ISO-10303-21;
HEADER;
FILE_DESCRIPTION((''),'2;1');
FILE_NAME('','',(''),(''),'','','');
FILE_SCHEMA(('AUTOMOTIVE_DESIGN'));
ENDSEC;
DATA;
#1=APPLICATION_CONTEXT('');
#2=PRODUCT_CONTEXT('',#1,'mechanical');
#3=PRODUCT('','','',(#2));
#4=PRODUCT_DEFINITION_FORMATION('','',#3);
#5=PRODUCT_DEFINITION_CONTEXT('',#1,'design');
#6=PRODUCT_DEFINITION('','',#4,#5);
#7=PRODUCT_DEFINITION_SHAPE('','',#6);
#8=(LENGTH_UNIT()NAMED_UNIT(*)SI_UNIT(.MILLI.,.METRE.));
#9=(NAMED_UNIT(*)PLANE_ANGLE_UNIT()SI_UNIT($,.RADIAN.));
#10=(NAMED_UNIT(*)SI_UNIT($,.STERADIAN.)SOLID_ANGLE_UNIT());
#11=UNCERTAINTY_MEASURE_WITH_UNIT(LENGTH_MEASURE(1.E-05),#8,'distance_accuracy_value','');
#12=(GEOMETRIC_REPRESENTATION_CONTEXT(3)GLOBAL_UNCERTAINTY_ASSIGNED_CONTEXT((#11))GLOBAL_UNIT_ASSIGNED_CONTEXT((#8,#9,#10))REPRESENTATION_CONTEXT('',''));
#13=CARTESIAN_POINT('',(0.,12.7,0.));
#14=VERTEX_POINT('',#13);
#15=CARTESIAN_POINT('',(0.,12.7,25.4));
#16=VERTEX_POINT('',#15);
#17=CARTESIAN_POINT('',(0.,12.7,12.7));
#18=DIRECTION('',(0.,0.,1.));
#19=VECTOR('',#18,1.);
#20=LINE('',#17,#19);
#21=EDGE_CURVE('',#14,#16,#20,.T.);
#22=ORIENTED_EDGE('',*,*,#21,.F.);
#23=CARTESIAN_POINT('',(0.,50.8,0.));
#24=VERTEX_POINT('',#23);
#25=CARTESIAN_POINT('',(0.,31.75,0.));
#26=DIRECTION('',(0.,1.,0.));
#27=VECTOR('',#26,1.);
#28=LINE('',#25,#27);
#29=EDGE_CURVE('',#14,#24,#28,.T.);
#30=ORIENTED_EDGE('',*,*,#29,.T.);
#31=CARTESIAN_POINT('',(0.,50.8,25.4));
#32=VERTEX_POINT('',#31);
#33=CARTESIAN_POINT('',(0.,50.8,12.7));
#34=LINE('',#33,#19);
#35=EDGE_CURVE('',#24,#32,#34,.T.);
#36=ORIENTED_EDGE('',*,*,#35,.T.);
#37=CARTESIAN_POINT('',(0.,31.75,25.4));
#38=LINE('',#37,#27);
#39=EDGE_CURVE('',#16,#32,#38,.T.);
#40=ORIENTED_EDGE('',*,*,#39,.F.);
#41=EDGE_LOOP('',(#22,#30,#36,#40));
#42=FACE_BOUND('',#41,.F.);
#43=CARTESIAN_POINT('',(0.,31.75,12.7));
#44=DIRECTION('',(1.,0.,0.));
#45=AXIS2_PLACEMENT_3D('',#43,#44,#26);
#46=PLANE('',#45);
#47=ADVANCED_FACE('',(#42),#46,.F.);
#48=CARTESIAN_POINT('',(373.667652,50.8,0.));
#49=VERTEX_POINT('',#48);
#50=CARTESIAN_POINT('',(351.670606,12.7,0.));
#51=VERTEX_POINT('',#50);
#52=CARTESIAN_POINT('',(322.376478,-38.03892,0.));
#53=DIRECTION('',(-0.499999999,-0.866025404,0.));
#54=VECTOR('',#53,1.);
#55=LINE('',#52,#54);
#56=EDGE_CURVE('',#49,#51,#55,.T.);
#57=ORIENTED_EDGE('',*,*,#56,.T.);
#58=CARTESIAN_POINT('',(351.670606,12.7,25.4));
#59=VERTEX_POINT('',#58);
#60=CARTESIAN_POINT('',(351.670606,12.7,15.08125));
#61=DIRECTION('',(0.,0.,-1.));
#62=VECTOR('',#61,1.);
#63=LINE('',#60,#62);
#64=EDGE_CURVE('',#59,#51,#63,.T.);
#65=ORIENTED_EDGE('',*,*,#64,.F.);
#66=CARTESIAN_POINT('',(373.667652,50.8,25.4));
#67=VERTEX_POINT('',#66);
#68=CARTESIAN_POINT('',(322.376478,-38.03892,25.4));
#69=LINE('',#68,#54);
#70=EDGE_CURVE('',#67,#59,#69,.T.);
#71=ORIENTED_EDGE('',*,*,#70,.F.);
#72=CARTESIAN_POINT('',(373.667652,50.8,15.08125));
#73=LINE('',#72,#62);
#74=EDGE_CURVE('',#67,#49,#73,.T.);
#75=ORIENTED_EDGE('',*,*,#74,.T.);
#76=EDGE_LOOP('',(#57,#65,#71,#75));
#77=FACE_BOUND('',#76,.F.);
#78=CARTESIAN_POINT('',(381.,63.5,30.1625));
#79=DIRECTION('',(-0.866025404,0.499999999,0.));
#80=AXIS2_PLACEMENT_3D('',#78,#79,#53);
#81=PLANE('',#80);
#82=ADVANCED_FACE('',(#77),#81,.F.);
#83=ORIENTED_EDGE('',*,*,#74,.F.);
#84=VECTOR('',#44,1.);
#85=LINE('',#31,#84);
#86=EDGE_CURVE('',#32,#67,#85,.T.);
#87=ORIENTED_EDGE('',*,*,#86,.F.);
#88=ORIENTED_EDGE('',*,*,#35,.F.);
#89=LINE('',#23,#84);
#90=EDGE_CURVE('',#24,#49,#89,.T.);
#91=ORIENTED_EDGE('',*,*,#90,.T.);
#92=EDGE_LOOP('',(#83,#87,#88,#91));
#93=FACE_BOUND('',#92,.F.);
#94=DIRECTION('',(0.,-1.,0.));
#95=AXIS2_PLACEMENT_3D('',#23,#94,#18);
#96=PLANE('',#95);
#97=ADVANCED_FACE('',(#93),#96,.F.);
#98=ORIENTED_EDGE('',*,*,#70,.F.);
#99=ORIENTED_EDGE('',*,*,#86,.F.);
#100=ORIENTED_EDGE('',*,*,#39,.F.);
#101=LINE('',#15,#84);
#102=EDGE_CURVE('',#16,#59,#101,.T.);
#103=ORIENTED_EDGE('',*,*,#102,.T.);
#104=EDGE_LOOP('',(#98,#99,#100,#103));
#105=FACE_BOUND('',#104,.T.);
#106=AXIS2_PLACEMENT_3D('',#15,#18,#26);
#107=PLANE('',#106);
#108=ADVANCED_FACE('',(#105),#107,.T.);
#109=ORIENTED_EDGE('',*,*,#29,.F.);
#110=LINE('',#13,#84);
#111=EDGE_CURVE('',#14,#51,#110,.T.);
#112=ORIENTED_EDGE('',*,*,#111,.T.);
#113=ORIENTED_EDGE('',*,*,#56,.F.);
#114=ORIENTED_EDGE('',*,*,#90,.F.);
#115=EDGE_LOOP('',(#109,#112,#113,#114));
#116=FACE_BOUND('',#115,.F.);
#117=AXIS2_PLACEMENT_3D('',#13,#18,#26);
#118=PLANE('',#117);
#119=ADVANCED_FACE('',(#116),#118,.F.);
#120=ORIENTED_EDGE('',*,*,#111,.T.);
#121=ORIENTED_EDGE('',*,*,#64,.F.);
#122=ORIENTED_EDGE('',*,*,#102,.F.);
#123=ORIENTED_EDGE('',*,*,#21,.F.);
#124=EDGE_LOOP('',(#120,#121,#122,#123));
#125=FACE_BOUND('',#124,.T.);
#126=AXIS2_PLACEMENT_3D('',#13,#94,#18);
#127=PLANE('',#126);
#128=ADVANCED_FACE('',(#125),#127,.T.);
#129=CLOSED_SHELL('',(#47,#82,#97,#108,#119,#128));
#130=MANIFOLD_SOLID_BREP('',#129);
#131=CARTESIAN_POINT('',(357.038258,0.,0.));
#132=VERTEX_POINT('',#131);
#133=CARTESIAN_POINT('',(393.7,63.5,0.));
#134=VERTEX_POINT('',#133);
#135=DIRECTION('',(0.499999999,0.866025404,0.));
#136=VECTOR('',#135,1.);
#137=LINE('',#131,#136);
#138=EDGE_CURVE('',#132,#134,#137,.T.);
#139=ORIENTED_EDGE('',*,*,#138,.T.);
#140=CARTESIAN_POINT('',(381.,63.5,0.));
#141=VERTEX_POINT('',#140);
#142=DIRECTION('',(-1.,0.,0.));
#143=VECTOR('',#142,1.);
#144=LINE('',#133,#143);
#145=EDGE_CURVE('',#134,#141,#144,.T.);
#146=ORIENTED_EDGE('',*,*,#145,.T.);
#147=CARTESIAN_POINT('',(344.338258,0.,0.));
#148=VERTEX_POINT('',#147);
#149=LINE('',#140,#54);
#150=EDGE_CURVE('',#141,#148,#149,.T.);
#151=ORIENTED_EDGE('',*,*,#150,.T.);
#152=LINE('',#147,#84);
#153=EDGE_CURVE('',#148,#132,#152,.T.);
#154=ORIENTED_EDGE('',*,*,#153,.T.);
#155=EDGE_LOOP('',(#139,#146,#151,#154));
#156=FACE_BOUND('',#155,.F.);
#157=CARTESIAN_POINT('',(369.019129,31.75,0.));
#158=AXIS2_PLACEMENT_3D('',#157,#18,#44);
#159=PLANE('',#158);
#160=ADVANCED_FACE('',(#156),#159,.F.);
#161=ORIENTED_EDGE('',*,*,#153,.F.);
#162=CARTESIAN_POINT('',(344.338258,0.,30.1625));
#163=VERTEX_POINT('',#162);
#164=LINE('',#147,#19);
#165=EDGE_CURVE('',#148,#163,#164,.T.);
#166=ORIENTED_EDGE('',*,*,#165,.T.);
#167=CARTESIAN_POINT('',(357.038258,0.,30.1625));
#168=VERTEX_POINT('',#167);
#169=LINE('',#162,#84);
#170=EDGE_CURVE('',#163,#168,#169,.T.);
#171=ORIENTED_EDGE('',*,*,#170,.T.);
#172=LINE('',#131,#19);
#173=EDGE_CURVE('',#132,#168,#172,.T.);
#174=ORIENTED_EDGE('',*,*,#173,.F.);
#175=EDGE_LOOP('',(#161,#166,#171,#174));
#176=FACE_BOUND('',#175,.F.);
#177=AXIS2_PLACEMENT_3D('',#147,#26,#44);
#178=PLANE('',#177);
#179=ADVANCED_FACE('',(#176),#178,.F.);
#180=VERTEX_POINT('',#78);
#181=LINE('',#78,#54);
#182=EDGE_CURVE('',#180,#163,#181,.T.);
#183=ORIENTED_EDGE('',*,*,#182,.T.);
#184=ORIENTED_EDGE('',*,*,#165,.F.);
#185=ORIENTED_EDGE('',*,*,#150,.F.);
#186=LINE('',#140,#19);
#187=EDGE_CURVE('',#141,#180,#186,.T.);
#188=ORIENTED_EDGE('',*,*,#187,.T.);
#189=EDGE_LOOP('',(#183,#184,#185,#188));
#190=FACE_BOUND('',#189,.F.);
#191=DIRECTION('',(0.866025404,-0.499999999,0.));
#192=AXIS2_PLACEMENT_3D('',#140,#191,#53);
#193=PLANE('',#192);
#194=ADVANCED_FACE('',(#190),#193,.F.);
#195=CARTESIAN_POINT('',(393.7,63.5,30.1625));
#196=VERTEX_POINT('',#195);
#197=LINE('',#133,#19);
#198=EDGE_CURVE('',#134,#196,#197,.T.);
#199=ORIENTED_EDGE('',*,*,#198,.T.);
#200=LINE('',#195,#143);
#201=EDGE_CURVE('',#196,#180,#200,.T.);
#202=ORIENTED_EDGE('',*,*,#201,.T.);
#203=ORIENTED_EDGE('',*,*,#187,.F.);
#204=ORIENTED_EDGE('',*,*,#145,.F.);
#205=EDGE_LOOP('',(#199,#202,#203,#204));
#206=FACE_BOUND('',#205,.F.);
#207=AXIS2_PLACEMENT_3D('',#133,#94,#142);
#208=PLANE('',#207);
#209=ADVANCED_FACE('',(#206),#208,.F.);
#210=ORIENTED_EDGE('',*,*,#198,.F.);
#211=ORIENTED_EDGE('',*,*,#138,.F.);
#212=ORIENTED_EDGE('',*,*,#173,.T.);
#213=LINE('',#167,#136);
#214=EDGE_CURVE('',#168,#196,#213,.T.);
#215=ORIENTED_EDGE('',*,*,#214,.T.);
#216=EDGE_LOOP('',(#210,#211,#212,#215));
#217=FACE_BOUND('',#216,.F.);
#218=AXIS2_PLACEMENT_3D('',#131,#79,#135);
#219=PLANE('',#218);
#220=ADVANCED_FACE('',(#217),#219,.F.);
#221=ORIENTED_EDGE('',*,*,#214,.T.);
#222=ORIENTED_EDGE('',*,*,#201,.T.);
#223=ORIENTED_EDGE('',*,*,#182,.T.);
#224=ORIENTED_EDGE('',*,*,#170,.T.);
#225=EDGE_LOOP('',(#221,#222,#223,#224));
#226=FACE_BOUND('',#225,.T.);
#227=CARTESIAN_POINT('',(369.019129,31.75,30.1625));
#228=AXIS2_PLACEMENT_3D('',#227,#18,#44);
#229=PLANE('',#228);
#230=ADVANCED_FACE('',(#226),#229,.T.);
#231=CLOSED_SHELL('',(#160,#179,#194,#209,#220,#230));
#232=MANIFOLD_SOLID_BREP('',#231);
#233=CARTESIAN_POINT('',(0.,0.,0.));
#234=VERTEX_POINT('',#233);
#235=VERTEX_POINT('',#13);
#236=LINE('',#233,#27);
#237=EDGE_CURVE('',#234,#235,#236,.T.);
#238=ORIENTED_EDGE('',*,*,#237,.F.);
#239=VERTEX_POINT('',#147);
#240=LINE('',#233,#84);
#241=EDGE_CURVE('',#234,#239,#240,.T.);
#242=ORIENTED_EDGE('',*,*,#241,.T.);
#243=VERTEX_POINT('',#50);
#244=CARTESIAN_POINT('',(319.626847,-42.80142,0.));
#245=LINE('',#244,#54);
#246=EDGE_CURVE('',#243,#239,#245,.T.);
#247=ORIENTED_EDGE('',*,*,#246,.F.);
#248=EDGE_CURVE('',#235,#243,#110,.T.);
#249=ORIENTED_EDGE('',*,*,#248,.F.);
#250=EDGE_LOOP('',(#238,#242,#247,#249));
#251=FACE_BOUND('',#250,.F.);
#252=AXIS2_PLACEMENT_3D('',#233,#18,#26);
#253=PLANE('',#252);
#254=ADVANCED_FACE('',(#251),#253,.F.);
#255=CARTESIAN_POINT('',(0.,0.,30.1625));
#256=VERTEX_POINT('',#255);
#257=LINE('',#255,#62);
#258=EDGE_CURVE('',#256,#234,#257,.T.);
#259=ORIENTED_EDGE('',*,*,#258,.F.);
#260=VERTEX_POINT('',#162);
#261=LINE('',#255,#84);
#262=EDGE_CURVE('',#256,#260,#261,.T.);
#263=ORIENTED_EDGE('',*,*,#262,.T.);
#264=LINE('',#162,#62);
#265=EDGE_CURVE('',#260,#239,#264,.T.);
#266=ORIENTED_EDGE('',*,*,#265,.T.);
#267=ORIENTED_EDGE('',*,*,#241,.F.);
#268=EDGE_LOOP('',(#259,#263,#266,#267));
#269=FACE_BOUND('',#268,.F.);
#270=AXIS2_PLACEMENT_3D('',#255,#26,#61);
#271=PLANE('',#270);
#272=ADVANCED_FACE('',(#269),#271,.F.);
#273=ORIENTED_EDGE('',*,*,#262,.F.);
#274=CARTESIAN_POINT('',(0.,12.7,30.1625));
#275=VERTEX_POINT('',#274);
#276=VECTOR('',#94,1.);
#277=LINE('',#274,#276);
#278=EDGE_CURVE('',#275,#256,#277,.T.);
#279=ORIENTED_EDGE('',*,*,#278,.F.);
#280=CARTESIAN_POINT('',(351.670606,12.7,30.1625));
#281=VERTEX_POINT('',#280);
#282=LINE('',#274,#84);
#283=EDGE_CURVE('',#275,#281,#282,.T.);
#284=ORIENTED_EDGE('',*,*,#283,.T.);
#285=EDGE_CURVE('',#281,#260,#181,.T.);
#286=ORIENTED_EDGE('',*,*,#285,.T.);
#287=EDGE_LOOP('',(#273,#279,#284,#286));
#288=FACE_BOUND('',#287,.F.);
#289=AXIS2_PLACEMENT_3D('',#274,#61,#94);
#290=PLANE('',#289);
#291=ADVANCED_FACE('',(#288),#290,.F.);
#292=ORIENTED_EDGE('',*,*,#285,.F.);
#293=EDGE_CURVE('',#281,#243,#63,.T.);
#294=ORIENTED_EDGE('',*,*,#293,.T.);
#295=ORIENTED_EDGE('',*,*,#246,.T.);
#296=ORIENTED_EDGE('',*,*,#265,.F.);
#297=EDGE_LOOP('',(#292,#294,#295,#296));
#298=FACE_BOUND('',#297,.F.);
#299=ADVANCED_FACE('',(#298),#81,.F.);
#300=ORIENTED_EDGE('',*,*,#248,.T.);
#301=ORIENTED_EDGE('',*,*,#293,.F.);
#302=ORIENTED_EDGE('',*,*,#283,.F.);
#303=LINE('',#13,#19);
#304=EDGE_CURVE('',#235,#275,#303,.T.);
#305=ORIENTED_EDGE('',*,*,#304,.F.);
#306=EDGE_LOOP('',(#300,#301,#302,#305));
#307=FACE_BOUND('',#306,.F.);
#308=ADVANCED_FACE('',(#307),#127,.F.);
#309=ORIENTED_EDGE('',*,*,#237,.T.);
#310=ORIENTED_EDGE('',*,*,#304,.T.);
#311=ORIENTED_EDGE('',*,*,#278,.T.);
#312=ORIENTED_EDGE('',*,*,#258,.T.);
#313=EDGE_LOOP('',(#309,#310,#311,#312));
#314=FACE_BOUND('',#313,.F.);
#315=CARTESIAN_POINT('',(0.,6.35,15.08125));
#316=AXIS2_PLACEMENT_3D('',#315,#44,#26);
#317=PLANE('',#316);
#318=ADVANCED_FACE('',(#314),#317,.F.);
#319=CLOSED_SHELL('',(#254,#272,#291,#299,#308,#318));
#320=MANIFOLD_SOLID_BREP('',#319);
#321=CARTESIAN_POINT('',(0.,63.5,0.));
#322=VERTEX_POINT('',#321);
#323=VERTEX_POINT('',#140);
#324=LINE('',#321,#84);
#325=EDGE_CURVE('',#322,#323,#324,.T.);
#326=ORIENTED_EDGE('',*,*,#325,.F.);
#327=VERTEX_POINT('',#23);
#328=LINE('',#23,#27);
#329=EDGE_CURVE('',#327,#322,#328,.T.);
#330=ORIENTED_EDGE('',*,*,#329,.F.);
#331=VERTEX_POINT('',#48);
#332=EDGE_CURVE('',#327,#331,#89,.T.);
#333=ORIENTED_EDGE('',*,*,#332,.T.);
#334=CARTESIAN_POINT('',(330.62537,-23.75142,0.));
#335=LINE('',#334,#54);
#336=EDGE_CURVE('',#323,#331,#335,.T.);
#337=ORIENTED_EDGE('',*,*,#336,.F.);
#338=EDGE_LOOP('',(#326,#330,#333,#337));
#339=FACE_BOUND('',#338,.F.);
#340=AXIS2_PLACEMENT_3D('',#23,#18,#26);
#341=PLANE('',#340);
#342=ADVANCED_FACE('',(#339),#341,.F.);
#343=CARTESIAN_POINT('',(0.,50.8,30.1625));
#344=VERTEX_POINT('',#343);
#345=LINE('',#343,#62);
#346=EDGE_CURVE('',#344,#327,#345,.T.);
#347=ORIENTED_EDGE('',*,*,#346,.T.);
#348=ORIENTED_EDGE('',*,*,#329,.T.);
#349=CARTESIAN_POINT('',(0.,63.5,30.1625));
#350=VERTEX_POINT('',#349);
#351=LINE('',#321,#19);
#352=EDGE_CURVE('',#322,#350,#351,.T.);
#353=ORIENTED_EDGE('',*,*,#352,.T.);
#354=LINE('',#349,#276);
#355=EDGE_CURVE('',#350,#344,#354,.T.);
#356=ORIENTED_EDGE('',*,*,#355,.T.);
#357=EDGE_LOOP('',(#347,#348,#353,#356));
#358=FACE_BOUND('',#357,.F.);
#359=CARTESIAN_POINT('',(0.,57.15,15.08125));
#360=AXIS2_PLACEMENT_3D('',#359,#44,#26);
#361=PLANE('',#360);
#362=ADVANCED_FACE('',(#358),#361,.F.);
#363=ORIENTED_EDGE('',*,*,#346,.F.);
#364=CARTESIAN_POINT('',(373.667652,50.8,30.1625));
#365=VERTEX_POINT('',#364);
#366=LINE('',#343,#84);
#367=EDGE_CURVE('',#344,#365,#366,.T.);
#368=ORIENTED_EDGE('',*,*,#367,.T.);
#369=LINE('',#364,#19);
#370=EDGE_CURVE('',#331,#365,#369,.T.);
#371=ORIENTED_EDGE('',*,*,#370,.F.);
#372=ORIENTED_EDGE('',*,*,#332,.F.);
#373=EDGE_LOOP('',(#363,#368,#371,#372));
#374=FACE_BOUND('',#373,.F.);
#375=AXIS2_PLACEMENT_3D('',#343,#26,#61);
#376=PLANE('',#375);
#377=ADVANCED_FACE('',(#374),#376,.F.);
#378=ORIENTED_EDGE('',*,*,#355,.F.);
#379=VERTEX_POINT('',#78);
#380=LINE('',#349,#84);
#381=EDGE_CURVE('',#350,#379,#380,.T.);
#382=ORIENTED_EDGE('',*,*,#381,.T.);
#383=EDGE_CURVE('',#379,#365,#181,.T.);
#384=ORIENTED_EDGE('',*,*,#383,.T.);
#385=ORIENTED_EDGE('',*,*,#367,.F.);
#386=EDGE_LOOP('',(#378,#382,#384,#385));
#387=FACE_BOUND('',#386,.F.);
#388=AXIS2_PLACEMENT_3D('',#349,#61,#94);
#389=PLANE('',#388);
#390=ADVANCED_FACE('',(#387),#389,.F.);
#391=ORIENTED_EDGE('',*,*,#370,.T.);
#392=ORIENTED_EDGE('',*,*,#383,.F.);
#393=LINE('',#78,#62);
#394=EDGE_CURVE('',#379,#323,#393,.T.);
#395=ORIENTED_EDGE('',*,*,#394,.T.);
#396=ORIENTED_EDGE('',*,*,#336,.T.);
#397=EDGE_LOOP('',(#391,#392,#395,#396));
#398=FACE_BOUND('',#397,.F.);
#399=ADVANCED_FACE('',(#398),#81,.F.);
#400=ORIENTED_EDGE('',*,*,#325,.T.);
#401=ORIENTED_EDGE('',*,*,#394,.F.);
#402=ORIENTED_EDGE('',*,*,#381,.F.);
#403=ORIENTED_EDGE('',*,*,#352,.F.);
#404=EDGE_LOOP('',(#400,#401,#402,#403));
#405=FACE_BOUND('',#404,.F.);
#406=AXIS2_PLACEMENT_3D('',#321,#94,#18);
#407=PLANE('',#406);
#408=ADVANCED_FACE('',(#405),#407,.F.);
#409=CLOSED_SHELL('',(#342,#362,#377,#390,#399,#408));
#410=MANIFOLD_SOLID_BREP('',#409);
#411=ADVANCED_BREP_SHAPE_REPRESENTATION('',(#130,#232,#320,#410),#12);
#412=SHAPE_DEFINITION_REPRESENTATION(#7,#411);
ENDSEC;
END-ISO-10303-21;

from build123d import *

# Parameters (mm, degrees)
F1_DEPTH = 406.4
F0_W     = 38.1
F0_H     = 25.4
F2_DEPTH = 406.4
F4_DEPTH = 30.1635
F6_DEPTH = 30.1625


with BuildPart() as f1:
    # F0 (on Right) → F1 (new body)
    with BuildSketch(Plane.YZ):
        Polygon((0, 30.1625), (0, 0), (12.7, 0), (12.7, 25.4), (12.7, 30.1625), align=None)
        Polygon((50.8, 25.4), (50.8, 0), (63.5, 0), (63.5, 30.1625), (50.8, 30.1625), align=None)
    extrude(amount=F1_DEPTH)


with BuildPart() as f2:
    # F0 (on Right) → F2 (new body, through all)
    with BuildSketch(Plane.YZ):
        with Locations((31.75, 12.7)):
            Rectangle(F0_W, F0_H)
    extrude(amount=F2_DEPTH)


with BuildPart() as f4_tool:
    # F3 (on face) → F4 (new body, through all)
    with BuildSketch(Plane.XY.offset(30.1625)):
        Polygon((406.4, 0), (406.4, 63.5), (381, 63.5), (344.338258, 0), align=None)
    extrude(amount=-F4_DEPTH)


with BuildPart() as f1_1:
    add(f1.part)

    # F4: cut by f4_tool
    add(f4_tool.part, mode=Mode.SUBTRACT)


with BuildPart() as f2_1:
    add(f2.part)

    # F4: cut by f4_tool
    add(f4_tool.part, mode=Mode.SUBTRACT)


with BuildPart() as f6:
    # F5 (on Top) → F6 (new body, through all)
    with BuildSketch(Plane.XY):
        Polygon((393.7, 63.5), (381, 63.5), (344.338258, 0), (357.038258, 0), align=None)
    extrude(amount=F6_DEPTH)


solid = Compound([f1_1.part, f2_1.part, f6.part])
